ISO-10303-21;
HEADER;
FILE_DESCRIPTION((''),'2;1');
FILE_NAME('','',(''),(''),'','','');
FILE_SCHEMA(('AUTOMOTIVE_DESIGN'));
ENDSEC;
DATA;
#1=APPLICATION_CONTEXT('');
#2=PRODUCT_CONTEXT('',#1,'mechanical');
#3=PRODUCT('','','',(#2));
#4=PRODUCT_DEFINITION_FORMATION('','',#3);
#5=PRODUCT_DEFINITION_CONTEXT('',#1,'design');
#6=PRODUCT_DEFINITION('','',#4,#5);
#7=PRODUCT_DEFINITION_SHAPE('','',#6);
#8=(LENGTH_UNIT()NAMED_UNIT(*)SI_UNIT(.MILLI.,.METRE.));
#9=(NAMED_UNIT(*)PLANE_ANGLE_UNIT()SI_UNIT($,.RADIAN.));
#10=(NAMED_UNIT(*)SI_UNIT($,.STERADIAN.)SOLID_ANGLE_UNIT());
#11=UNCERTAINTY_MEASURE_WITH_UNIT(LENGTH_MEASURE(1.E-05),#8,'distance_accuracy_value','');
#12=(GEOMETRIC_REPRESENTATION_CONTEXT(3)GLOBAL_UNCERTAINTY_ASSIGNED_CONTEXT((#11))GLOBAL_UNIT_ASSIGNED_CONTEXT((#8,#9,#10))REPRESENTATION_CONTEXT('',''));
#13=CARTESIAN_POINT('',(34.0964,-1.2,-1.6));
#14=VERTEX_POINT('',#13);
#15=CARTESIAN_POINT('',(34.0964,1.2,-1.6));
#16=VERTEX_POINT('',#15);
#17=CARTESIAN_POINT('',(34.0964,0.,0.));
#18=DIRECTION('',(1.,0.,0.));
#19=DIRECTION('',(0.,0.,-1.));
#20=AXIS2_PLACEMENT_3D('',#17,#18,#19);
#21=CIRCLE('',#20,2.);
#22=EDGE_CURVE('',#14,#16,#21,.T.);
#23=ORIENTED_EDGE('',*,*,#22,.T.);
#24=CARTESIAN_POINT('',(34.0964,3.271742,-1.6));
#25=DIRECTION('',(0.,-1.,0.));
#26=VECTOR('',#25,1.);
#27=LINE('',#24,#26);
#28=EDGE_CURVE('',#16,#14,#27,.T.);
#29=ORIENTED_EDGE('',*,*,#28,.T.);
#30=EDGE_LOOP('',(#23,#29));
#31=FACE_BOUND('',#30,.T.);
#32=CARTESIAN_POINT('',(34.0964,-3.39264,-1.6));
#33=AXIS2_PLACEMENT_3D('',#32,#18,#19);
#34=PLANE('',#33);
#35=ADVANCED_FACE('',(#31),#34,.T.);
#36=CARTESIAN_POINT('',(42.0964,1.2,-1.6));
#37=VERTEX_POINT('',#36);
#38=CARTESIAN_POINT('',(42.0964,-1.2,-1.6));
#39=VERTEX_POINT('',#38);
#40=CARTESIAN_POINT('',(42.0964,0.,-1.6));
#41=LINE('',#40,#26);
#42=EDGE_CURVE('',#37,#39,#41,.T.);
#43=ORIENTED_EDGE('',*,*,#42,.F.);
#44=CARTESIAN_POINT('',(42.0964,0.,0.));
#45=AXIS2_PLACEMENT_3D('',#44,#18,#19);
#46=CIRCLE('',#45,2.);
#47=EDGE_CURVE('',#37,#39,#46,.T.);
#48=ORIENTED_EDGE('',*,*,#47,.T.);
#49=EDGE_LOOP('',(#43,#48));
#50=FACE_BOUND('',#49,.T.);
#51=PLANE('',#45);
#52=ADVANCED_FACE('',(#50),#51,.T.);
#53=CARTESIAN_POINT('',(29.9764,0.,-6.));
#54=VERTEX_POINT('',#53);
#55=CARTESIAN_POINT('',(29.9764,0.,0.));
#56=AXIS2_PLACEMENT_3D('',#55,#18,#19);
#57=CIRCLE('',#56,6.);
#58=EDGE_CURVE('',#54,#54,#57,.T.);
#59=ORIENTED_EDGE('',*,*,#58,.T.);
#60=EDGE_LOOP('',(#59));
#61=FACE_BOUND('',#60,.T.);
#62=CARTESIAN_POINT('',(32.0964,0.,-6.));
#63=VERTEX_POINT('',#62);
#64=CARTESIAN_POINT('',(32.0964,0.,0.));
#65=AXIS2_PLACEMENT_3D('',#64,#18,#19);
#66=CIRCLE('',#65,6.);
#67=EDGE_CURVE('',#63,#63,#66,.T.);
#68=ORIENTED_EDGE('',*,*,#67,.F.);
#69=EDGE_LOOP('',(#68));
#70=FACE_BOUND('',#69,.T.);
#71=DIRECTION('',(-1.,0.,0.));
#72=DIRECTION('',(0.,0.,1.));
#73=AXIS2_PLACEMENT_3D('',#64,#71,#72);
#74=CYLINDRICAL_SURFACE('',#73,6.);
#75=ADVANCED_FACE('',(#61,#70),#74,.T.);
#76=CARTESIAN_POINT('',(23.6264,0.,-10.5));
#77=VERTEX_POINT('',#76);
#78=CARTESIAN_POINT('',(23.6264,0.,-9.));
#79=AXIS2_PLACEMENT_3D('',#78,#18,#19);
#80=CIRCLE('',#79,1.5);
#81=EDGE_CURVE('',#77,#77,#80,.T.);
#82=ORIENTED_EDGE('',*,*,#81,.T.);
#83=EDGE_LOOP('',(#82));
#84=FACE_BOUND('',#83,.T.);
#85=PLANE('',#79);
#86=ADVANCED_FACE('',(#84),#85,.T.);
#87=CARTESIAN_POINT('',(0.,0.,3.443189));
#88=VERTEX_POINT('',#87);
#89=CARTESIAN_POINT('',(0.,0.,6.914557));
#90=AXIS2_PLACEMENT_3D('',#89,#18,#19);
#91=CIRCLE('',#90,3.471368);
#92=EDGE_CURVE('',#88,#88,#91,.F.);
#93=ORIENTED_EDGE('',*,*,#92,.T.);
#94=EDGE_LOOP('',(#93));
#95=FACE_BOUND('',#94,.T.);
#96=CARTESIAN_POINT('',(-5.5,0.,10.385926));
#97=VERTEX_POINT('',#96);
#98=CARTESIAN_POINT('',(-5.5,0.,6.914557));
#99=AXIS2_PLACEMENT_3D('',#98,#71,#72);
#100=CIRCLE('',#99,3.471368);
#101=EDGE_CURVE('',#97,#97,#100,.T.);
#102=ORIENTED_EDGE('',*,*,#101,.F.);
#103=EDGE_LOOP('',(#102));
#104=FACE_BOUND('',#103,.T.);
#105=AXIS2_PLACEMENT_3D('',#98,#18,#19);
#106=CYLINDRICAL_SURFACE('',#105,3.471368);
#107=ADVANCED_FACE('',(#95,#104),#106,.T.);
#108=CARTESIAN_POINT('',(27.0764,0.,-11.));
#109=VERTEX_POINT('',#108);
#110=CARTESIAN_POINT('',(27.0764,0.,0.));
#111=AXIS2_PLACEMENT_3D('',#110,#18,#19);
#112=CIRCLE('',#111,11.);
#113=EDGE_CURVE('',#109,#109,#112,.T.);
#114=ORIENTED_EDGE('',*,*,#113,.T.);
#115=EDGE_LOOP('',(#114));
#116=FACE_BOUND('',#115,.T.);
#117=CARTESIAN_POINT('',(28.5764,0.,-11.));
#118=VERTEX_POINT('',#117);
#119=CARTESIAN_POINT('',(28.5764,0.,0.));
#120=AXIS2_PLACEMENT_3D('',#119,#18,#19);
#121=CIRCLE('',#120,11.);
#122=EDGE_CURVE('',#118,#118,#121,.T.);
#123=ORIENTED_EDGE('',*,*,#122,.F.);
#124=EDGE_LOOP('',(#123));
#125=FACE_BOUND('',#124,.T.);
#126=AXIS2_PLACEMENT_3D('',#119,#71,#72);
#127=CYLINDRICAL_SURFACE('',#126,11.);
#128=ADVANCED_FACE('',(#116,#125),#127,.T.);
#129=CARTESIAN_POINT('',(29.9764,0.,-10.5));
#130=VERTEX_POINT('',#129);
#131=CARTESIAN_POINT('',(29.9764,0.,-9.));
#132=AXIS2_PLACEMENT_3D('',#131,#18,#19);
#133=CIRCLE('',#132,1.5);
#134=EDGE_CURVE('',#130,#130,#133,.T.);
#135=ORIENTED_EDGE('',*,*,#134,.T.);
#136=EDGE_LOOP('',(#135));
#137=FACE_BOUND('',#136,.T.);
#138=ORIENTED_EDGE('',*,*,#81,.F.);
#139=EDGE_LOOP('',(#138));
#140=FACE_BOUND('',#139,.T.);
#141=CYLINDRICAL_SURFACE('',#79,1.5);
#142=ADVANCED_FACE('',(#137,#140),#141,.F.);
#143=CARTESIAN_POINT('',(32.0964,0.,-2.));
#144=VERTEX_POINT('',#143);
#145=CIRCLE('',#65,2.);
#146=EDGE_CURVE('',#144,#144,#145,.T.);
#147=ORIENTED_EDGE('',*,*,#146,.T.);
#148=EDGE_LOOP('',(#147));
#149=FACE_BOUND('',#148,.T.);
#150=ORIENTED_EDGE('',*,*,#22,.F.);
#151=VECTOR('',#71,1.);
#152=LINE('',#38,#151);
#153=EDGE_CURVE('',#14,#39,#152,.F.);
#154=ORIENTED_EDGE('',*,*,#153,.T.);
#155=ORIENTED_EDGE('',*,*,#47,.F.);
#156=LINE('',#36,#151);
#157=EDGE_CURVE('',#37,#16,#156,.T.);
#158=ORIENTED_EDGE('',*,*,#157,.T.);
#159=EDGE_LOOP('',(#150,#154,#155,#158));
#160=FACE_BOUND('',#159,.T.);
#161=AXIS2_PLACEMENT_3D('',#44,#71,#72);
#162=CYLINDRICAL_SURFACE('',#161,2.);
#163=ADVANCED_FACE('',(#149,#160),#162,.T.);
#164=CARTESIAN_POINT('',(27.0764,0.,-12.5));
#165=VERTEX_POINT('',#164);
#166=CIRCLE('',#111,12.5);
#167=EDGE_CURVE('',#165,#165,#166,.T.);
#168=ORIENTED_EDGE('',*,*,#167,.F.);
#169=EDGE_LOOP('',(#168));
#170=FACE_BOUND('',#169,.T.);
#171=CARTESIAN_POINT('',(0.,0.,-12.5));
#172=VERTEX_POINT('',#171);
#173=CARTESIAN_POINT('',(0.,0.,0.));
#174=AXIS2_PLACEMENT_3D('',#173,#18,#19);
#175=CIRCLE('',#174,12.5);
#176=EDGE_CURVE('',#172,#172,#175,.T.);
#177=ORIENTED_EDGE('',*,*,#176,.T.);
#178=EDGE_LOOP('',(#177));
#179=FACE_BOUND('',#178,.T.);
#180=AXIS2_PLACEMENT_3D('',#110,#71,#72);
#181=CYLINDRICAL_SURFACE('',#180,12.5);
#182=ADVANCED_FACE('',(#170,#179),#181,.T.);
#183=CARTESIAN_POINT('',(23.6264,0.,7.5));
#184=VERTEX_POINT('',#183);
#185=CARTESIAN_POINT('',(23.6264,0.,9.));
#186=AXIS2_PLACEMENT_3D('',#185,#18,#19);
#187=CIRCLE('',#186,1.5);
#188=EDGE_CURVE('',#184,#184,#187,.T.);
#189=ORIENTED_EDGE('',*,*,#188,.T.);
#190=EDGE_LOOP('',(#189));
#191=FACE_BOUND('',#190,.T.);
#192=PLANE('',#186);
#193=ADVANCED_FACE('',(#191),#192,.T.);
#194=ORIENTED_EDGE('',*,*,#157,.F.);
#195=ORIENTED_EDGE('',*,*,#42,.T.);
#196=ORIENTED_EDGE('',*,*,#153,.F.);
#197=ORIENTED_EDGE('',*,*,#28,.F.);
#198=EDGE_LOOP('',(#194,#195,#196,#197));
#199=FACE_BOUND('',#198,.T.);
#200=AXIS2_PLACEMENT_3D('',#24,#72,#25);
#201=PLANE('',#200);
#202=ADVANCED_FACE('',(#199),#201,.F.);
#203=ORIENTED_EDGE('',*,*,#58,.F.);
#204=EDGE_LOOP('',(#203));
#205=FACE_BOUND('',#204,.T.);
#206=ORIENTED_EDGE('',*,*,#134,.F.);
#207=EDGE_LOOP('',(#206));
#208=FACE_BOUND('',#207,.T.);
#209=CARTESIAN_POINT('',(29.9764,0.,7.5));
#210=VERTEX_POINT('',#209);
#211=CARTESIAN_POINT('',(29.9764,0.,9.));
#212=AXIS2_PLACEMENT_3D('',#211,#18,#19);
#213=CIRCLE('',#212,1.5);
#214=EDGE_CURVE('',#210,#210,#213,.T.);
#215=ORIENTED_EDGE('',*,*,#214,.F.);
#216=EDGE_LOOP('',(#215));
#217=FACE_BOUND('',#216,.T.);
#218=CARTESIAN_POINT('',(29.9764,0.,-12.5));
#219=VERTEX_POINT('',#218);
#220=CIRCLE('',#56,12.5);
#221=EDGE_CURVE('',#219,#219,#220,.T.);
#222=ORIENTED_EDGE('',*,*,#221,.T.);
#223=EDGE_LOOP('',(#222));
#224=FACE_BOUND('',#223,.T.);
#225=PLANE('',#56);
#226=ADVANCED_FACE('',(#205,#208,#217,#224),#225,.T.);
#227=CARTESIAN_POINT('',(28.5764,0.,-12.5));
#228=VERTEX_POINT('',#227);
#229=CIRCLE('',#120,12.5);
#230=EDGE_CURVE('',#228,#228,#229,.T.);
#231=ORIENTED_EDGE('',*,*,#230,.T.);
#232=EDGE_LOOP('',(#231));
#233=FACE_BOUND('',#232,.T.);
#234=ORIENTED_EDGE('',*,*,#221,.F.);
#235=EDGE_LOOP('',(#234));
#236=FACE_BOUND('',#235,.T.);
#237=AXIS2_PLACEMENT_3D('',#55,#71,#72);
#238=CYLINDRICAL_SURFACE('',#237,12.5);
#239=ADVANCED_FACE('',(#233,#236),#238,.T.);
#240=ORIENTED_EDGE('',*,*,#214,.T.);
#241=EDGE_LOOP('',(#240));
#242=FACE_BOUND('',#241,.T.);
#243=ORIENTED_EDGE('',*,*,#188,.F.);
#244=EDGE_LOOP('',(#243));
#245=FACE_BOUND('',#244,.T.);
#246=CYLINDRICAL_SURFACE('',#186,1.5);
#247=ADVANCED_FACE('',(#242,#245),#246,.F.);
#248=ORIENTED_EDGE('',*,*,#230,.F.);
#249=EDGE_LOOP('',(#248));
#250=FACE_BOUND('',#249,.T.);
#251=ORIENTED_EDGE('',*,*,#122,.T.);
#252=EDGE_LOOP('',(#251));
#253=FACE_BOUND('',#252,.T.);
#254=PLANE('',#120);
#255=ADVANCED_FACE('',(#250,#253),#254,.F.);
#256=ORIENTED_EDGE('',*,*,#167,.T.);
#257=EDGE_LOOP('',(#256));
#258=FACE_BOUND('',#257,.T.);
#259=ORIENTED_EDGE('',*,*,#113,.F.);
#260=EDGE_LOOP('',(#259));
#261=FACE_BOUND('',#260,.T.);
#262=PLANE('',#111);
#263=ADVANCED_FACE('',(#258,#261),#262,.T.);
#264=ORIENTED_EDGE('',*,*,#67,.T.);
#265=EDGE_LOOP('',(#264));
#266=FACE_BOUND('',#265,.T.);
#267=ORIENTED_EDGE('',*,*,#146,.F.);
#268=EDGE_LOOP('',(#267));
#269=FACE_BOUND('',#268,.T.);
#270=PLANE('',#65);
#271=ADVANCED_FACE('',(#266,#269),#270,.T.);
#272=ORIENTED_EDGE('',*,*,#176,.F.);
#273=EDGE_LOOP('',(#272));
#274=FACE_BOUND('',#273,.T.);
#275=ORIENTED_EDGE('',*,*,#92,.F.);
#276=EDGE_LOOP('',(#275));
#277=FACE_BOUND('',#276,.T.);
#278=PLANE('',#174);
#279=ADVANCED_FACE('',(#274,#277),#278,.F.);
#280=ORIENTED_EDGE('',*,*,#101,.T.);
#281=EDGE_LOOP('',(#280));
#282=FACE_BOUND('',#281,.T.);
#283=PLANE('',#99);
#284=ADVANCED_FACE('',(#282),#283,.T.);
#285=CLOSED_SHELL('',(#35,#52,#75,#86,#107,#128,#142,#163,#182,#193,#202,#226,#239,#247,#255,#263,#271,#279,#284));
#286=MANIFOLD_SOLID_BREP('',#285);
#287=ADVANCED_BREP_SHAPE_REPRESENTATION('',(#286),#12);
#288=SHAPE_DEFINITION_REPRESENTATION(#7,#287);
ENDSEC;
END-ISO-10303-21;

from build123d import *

# Parameters (mm, degrees)
SKETCH1_R           = 12.5
BOSS_EXTRUDE1_DEPTH = 27.0764
SKETCH2_R           = 11
BOSS_EXTRUDE2_DEPTH = 1.5
SKETCH3_R           = 12.5
BOSS_EXTRUDE3_DEPTH = 1.4
SKETCH4_R           = 6
BOSS_EXTRUDE4_DEPTH = 2.12
SKETCH5_R           = 2
BOSS_EXTRUDE5_DEPTH = 10
SKETCH6_W           = 2.63743778
SKETCH6_H           = 6.664381858
CUT_EXTRUDE1_DEPTH  = 8
SKETCH8_R           = 1.5
CUT_EXTRUDE2_DEPTH  = 6.35
SKETCH9_R           = 3.471368159
BOSS_EXTRUDE6_DEPTH = 5.5


with BuildPart() as part:
    # Sketch1 → Boss-Extrude1 (new body)
    with BuildSketch(Plane(origin=(0, 0, 0), x_dir=(0, 0, -1), z_dir=(1, 0, 0))):
        Circle(SKETCH1_R)
    extrude(amount=BOSS_EXTRUDE1_DEPTH)

    # Sketch2 → Boss-Extrude2 (add)
    with BuildSketch(Plane(origin=(27.0764, 0, 0), x_dir=(0, 0, -1), z_dir=(1, 0, 0))):
        Circle(SKETCH2_R)
    extrude(amount=BOSS_EXTRUDE2_DEPTH)

    # Sketch3 → Boss-Extrude3 (add)
    with BuildSketch(Plane(origin=(28.5764, 0, 0), x_dir=(0, 0, -1), z_dir=(1, 0, 0))):
        Circle(SKETCH3_R)
    extrude(amount=BOSS_EXTRUDE3_DEPTH)

    # Sketch4 → Boss-Extrude4 (add)
    with BuildSketch(Plane(origin=(29.9764, 0, 0), x_dir=(0, 0, -1), z_dir=(1, 0, 0))):
        Circle(SKETCH4_R)
    extrude(amount=BOSS_EXTRUDE4_DEPTH)

    # Sketch5 → Boss-Extrude5 (add)
    with BuildSketch(Plane(origin=(32.0964, 0, 0), x_dir=(0, 0, -1), z_dir=(1, 0, 0))):
        Circle(SKETCH5_R)
    extrude(amount=BOSS_EXTRUDE5_DEPTH)

    # Sketch6 → Cut-Extrude1 (cut)
    with BuildSketch(Plane(origin=(42.0964, 0, 0), x_dir=(0, 0, -1), z_dir=(1, 0, 0))):
        with Locations((2.91871889, -0.060449415)):
            Rectangle(SKETCH6_W, SKETCH6_H)
    extrude(amount=-CUT_EXTRUDE1_DEPTH, mode=Mode.SUBTRACT)

    # Sketch8 → Cut-Extrude2 (cut)
    with BuildSketch(Plane(origin=(29.9764, 0, 0), x_dir=(0, 0, -1), z_dir=(1, 0, 0))):
        with Locations((9, 0)):
            Circle(SKETCH8_R)
        with Locations((-9, 0)):
            Circle(SKETCH8_R)
    extrude(amount=-CUT_EXTRUDE2_DEPTH, mode=Mode.SUBTRACT)

    # Sketch9 → Boss-Extrude6 (add)
    with BuildSketch(Plane.ZY):
        with Locations((6.914557356, 0)):
            Circle(SKETCH9_R)
    extrude(amount=BOSS_EXTRUDE6_DEPTH)


solid = part.part
